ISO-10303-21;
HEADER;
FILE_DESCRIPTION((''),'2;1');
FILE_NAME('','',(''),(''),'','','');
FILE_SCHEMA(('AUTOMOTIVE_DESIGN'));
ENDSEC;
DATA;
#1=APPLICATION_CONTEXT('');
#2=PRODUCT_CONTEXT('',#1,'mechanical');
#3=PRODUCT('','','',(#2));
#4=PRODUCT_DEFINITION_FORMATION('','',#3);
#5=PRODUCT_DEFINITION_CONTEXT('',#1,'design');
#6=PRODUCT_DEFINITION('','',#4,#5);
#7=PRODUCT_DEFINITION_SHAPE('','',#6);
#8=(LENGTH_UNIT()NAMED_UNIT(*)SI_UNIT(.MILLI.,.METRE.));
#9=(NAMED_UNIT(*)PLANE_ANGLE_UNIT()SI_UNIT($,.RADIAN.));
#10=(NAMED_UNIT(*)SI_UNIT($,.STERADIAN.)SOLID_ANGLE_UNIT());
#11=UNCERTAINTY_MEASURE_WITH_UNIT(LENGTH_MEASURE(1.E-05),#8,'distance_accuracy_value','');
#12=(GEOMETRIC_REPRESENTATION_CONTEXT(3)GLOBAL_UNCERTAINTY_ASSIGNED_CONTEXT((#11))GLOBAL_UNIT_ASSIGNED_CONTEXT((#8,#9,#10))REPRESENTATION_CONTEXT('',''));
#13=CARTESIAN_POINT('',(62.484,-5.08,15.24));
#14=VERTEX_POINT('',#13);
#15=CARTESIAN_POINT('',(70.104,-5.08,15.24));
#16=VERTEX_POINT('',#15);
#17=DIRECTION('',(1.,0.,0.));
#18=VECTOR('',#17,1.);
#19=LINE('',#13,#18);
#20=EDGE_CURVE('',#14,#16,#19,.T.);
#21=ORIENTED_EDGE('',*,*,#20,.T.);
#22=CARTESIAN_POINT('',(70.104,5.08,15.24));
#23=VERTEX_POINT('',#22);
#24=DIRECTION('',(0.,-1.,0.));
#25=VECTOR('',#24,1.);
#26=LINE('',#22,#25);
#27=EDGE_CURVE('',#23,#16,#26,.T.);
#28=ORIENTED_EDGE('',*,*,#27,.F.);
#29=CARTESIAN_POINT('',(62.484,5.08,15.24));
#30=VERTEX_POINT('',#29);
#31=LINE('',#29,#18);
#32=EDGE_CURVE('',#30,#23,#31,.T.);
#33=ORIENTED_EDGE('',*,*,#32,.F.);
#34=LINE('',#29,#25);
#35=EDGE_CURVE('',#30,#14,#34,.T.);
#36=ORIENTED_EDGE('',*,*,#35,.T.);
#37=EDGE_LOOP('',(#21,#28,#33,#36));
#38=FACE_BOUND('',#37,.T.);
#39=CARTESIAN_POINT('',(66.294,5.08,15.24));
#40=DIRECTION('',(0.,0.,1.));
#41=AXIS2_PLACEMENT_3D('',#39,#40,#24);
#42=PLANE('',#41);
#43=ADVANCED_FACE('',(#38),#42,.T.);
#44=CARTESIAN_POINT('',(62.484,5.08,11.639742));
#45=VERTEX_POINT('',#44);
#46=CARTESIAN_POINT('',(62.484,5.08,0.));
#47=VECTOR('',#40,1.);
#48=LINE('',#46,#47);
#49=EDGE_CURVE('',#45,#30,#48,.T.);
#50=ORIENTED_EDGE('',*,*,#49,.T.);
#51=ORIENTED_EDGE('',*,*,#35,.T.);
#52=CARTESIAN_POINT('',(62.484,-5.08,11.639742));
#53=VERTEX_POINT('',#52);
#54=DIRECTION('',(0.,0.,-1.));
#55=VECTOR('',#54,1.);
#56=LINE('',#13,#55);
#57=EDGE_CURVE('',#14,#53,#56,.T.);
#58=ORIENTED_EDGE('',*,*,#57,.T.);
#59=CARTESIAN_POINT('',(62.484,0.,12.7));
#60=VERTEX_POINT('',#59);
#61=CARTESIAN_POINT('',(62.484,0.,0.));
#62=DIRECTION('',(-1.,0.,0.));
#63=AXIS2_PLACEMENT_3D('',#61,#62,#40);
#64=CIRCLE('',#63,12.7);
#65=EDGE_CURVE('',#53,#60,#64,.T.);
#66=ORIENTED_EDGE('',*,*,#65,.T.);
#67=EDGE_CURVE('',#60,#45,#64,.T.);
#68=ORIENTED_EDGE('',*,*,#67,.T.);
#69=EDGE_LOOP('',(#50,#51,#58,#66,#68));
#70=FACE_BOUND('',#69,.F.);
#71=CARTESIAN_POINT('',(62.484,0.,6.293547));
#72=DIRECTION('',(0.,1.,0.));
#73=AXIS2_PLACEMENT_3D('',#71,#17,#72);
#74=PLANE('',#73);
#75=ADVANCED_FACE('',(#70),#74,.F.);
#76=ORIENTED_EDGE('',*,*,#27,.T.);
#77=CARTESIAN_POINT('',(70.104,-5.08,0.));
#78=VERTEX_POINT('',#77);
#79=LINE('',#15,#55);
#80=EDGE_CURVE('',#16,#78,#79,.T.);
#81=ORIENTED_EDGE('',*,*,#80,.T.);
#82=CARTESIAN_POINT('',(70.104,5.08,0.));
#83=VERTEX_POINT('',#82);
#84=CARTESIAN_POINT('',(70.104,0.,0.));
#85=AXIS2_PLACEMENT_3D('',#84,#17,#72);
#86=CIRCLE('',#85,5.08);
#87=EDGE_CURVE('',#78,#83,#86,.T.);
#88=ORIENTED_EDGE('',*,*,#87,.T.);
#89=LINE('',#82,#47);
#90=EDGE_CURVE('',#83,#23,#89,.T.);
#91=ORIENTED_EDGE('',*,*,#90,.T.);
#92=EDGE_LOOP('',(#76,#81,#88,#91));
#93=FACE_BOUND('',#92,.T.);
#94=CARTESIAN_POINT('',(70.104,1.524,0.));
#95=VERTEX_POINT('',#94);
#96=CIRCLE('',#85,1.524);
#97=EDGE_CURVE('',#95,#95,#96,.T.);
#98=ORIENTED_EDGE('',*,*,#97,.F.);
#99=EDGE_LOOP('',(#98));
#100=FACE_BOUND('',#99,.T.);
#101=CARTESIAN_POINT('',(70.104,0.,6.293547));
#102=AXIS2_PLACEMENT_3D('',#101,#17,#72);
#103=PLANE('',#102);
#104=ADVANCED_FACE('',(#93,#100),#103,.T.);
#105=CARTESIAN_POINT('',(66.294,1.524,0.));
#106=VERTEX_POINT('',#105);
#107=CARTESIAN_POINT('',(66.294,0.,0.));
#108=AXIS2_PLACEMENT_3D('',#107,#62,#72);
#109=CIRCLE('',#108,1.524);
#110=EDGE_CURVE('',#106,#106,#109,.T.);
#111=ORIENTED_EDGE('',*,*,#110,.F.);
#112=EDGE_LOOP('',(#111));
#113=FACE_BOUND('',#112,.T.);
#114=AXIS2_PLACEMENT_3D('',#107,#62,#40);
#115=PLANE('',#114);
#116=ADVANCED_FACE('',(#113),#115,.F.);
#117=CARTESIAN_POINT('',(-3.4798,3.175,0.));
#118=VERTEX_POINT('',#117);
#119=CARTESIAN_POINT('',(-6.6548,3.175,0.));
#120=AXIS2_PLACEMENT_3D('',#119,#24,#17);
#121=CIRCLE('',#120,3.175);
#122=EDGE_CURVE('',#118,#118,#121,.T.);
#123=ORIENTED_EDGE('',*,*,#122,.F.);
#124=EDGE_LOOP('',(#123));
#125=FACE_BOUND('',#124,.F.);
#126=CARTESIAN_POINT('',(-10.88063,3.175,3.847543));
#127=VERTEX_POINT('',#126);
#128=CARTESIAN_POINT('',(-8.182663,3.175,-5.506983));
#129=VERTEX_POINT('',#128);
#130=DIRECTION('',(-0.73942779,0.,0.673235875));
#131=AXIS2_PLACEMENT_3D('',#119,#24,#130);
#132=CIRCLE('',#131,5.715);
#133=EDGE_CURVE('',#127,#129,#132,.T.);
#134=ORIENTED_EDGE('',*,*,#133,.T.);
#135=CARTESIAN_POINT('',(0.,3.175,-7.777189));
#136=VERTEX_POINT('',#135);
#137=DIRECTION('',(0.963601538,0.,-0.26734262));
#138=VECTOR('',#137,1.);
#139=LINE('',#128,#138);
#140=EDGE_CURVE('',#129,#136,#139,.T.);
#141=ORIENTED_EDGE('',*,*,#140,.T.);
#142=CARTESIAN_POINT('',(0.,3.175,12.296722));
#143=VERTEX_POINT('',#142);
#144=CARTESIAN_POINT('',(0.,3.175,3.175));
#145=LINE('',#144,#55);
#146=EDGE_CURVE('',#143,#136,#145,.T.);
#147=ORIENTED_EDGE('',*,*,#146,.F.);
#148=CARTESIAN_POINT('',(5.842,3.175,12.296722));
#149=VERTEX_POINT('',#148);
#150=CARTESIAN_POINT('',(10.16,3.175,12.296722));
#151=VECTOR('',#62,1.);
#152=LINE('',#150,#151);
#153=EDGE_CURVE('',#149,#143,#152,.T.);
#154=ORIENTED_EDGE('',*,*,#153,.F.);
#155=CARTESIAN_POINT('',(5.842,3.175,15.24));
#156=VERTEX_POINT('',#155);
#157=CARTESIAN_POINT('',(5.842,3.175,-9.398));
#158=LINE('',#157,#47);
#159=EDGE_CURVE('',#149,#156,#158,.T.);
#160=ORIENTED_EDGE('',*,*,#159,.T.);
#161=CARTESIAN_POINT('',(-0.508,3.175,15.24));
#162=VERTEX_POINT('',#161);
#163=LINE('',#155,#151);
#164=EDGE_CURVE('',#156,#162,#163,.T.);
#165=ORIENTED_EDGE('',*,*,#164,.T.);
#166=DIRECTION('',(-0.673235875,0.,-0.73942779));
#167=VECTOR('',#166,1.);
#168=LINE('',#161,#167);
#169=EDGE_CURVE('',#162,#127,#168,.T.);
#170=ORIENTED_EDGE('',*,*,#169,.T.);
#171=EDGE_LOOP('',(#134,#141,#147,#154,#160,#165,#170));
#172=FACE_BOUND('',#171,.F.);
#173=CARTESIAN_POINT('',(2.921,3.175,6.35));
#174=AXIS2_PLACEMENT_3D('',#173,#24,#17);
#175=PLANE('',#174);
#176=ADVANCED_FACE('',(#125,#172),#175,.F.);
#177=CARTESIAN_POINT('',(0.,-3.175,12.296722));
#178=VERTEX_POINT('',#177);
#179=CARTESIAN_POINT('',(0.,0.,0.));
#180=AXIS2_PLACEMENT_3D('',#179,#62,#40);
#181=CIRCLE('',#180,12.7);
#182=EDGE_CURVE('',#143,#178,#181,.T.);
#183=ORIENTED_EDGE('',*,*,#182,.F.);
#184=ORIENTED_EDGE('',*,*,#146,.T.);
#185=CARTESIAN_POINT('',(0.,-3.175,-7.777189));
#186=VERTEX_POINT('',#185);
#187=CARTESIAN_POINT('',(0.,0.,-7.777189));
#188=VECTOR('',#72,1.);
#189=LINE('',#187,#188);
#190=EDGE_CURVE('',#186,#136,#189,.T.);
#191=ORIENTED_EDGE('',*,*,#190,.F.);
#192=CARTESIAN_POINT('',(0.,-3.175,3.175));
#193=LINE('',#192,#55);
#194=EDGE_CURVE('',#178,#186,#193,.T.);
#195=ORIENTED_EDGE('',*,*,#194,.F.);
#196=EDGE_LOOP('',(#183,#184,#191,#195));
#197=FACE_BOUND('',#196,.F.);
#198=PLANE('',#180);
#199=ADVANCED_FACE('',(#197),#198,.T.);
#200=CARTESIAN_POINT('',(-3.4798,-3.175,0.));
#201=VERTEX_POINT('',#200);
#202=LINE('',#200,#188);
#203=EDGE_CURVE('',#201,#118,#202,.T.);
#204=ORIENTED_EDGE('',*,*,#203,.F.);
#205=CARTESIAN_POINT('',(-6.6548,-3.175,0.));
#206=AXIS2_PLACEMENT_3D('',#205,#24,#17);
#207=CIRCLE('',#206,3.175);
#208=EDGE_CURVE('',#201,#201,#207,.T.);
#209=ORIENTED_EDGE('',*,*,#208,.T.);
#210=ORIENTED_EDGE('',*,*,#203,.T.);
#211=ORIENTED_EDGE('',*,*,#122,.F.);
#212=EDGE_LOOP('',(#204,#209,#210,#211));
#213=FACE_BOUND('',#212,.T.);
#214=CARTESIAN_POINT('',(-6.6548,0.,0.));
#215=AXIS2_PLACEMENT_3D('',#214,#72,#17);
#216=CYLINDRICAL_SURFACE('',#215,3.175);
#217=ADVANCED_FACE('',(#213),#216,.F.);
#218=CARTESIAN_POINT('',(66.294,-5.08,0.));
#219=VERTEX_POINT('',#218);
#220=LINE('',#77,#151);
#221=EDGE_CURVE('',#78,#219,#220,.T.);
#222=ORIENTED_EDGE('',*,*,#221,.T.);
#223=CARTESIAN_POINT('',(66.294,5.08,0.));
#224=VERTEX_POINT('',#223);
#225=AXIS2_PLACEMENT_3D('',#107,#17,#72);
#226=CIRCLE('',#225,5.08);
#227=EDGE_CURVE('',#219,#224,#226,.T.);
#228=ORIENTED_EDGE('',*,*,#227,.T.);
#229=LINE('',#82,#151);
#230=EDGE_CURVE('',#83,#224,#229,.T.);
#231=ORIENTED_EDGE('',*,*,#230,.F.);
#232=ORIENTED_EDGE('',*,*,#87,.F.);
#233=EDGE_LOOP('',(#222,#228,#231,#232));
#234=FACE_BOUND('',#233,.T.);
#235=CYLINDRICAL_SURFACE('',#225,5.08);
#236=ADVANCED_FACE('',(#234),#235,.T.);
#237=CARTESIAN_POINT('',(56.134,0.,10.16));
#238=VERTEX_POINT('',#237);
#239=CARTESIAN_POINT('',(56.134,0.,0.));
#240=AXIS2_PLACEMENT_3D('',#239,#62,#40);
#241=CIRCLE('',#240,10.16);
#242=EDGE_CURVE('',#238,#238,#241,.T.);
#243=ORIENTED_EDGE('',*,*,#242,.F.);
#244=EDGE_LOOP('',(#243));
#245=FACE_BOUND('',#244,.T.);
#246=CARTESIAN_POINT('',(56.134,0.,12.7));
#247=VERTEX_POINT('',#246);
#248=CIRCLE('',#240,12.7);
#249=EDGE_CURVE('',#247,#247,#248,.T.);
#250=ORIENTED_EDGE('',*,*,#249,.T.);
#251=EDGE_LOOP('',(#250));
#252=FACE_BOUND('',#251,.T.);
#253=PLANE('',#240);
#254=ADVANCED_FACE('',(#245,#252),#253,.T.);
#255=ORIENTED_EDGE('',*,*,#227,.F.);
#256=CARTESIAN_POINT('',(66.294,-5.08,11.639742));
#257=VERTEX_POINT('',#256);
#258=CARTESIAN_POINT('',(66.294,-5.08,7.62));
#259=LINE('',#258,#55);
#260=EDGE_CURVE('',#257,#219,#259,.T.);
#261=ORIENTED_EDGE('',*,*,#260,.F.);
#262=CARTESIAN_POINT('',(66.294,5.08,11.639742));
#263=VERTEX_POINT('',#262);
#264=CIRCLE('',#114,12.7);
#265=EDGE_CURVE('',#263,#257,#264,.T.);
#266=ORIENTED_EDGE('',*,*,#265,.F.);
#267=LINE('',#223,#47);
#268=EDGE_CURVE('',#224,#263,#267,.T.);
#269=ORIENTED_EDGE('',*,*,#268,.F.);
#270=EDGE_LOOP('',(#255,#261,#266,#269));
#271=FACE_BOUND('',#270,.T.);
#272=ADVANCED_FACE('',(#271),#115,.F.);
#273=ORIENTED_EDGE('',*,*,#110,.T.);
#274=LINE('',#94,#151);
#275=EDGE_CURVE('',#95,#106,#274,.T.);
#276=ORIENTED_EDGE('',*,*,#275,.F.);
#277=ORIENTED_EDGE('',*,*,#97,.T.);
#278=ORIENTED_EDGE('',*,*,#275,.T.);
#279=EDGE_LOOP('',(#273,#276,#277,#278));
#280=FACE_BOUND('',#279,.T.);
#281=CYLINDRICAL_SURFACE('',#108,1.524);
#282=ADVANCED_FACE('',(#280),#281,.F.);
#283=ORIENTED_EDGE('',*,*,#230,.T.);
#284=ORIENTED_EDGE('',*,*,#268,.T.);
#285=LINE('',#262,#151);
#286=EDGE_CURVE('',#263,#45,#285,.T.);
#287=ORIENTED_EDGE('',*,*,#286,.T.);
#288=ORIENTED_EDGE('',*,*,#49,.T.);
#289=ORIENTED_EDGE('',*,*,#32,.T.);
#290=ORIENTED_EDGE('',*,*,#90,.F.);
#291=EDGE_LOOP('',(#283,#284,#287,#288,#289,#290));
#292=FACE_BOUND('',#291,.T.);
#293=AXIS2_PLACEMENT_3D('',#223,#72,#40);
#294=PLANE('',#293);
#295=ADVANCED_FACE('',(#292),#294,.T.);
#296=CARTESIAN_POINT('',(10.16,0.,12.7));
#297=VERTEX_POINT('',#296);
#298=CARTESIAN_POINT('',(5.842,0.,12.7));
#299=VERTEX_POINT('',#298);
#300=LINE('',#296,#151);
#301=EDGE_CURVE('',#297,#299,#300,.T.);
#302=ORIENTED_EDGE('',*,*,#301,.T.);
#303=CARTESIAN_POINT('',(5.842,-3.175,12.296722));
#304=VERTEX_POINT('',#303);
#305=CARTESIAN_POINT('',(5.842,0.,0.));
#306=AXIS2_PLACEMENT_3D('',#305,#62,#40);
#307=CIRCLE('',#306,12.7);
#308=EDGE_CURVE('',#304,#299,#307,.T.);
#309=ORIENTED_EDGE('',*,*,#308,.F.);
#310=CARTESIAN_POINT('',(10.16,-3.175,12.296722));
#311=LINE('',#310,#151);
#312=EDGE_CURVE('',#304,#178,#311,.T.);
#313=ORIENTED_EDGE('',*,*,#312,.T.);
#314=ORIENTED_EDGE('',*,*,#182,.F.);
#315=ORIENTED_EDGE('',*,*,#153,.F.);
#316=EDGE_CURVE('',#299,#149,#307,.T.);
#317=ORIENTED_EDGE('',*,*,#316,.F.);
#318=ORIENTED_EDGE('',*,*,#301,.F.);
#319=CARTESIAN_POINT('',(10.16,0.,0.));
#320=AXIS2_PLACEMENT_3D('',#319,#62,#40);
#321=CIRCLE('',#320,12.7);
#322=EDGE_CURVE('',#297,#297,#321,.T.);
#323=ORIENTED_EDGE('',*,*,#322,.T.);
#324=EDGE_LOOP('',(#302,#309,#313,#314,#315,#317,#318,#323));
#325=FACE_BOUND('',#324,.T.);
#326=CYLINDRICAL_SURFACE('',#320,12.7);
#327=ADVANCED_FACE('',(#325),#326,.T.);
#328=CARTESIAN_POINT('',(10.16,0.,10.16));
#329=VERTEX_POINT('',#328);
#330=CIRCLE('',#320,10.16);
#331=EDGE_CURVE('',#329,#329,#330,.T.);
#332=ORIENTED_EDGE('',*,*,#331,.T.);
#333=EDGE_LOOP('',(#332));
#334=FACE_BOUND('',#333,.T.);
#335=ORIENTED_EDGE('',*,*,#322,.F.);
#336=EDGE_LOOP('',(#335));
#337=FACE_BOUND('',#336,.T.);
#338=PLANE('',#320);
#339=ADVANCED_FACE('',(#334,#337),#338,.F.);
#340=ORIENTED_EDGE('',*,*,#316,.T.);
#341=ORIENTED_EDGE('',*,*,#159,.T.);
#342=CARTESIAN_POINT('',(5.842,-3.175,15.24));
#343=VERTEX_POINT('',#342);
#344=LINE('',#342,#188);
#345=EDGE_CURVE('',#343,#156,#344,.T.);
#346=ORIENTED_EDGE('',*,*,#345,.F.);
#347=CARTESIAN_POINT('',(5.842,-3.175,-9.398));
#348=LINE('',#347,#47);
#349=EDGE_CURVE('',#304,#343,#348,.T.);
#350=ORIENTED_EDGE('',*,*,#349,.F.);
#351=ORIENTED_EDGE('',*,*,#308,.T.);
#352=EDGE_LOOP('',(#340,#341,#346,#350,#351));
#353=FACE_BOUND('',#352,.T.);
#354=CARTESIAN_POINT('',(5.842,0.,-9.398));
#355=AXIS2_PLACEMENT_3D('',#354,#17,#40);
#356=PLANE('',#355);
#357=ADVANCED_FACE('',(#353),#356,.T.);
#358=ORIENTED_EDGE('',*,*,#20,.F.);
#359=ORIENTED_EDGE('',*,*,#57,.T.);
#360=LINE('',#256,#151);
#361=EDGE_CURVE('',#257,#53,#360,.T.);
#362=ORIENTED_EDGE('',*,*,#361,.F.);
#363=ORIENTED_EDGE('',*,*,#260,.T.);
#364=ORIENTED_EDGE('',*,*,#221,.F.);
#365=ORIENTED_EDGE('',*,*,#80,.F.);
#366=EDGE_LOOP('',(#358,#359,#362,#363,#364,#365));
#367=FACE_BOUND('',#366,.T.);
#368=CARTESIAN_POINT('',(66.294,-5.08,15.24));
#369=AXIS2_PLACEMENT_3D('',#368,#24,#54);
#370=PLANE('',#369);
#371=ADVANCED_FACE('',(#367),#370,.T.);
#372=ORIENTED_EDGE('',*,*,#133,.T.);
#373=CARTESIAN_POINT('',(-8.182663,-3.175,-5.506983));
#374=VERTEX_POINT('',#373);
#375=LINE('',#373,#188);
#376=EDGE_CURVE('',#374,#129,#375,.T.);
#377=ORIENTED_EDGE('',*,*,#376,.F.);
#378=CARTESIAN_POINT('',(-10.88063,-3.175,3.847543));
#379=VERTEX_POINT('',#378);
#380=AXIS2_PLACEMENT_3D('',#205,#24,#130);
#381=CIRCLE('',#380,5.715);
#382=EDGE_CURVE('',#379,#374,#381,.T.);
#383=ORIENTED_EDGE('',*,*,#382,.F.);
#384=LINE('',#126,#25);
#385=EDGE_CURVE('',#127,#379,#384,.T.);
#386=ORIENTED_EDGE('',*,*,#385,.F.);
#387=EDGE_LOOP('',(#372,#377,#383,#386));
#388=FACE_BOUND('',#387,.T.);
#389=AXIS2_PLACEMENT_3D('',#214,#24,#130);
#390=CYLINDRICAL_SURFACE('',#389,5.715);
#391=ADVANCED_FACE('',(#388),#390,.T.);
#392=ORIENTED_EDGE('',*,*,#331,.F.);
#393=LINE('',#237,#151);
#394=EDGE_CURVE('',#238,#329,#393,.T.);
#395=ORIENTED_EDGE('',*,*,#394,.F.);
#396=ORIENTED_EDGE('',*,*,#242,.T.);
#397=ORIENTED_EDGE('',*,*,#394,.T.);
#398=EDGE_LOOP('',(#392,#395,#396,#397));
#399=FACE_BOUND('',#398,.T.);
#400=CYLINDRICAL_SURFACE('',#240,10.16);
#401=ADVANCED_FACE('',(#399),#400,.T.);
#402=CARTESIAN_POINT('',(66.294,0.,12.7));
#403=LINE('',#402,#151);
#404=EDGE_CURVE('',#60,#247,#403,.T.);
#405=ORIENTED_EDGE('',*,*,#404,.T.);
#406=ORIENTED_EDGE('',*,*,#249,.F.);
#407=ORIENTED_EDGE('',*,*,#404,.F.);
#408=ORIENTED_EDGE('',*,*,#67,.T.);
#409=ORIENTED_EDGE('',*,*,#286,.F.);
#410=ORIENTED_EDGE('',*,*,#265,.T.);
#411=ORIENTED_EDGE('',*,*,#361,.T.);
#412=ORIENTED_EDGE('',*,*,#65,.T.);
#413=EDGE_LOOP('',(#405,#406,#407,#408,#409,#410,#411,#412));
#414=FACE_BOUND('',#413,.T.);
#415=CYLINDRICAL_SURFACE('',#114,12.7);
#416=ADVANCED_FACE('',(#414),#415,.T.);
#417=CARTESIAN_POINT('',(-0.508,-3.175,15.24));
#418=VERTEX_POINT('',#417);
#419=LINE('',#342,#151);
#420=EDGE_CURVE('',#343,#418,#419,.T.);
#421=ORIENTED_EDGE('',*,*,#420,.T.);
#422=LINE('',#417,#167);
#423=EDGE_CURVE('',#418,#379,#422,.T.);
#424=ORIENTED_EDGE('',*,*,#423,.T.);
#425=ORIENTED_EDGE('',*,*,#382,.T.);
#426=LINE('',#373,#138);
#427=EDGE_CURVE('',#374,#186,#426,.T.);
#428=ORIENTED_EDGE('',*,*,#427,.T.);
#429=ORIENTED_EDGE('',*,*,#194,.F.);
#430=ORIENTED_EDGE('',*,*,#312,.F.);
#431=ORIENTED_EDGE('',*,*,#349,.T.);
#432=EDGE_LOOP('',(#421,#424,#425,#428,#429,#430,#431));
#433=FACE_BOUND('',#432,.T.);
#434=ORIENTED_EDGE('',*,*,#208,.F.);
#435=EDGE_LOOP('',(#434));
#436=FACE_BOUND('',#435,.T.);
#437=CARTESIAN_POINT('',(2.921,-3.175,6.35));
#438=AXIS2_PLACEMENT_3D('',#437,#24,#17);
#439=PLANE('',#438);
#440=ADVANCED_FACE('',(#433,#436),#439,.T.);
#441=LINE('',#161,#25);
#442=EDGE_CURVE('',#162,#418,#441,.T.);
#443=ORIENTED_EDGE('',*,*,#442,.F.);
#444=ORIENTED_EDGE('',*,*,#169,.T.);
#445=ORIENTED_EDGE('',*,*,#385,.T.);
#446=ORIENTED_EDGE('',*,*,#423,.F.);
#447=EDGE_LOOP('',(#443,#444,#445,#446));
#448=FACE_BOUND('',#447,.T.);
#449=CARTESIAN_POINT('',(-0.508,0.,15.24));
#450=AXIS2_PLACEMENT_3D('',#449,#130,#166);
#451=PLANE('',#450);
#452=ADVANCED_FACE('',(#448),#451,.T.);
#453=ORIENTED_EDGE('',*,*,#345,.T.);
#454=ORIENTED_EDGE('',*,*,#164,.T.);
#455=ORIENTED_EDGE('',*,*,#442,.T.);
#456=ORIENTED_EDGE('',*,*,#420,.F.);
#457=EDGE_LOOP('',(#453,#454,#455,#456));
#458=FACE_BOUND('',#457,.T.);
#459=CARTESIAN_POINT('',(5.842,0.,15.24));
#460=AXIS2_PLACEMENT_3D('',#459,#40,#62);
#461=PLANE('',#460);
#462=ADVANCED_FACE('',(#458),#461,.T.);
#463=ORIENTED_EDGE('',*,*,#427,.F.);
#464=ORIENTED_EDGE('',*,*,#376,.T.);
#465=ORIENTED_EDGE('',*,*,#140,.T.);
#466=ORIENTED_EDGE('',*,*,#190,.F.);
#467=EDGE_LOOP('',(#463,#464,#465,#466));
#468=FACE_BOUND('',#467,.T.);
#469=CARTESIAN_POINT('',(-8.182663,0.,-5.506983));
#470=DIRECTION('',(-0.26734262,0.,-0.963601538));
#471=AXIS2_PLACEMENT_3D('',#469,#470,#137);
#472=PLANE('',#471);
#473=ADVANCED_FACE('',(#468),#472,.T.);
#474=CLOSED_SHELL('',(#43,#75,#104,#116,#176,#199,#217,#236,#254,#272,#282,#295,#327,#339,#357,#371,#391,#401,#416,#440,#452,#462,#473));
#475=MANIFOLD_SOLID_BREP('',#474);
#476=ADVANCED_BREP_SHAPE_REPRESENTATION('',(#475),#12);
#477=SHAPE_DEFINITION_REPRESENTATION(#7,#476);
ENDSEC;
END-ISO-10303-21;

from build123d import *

# Parameters (mm, degrees)
F0_W     = 5.842
F0_H     = 12.7
F0_R     = 3.175
F2_DEPTH = 3.175
F3_R     = 1.524
F4_DEPTH = 3.81


with BuildPart() as f1:
    # F0 (on Front) → F1 (revolve)
    with BuildSketch(Plane.XZ):
        Polygon((5.842, 12.7), (5.842, 0), (66.294, 0), (66.294, 12.7), (56.134, 12.7), (56.134, 10.16), (10.16, 10.16), (10.16, 12.7), align=None)
        with Locations((2.921, 6.35)):
            Rectangle(F0_W, F0_H)
    revolve(axis=Axis((33.147, 0, 0), (-1, 0, 0)))

    # F0 (on Front) → F2 (join, symmetric)
    with BuildSketch(Plane.XZ):
        with Locations((2.921, 6.35)):
            Rectangle(F0_W, F0_H)
        with BuildLine():
            Line((-0.9398, 0), (0, 0))
            Line((0, 0), (0, 12.7))
            Line((0, 12.7), (5.842, 12.7))
            Line((5.842, 12.7), (5.842, 15.24))
            Line((5.842, 15.24), (-0.508, 15.24))
            Line((-0.508, 15.24), (-10.8806298187, 3.8475430269))
            ThreePointArc((-10.8806298187, 3.8475430269), (-4.5919612295, 5.3297205562), (-0.9398, 0))
        make_face()
        with BuildLine():
            Line((5.842, 0), (0, 0))
            Line((0, 0), (-0.9398, 0))
            ThreePointArc((-0.9398, 0), (-3.1957909266, -4.5493385486), (-8.1826630726, -5.5069827884))
            Line((-8.1826630726, -5.5069827884), (5.842, -9.398))
            Line((5.842, -9.398), (5.842, 0))
        make_face()
        with BuildLine():
            ThreePointArc((-8.1826630726, -5.5069827884), (-3.1957909266, -4.5493385486), (-0.9398, 0))
            ThreePointArc((-0.9398, 0), (-4.5919612295, 5.3297205562), (-10.8806298187, 3.8475430269))
            ThreePointArc((-10.8806298187, 3.8475430269), (-12.1459778134, -1.5837270034), (-8.1826630726, -5.5069827884))
        make_face()
        with Locations((-6.6548, 0)):
            Circle(F0_R, mode=Mode.SUBTRACT)
    extrude(amount=F2_DEPTH, both=True)

    # F3 (on face) → F4 (join, symmetric)
    with BuildSketch(Plane.YZ.offset(66.294)):
        with BuildLine():
            ThreePointArc((-5.08, 0), (0, 5.08), (5.08, 0))
            Line((5.08, 0), (5.08, 11.6397422652))
            ThreePointArc((5.08, 11.6397422652), (0, 12.7), (-5.08, 11.6397422652))
            Line((-5.08, 11.6397422652), (-5.08, 0))
        make_face()
        with BuildLine():
            ThreePointArc((-5.08, 0), (0, -5.08), (5.08, 0))
            ThreePointArc((5.08, 0), (0, 5.08), (-5.08, 0))
        make_face()
        Circle(F3_R, mode=Mode.SUBTRACT)
        with BuildLine():
            ThreePointArc((-5.08, 11.6397422652), (0, 12.7), (5.08, 11.6397422652))
            Line((5.08, 11.6397422652), (5.08, 15.24))
            Line((5.08, 15.24), (-5.08, 15.24))
            Line((-5.08, 15.24), (-5.08, 11.6397422652))
        make_face()
    extrude(amount=F4_DEPTH, both=True)


solid = f1.part
